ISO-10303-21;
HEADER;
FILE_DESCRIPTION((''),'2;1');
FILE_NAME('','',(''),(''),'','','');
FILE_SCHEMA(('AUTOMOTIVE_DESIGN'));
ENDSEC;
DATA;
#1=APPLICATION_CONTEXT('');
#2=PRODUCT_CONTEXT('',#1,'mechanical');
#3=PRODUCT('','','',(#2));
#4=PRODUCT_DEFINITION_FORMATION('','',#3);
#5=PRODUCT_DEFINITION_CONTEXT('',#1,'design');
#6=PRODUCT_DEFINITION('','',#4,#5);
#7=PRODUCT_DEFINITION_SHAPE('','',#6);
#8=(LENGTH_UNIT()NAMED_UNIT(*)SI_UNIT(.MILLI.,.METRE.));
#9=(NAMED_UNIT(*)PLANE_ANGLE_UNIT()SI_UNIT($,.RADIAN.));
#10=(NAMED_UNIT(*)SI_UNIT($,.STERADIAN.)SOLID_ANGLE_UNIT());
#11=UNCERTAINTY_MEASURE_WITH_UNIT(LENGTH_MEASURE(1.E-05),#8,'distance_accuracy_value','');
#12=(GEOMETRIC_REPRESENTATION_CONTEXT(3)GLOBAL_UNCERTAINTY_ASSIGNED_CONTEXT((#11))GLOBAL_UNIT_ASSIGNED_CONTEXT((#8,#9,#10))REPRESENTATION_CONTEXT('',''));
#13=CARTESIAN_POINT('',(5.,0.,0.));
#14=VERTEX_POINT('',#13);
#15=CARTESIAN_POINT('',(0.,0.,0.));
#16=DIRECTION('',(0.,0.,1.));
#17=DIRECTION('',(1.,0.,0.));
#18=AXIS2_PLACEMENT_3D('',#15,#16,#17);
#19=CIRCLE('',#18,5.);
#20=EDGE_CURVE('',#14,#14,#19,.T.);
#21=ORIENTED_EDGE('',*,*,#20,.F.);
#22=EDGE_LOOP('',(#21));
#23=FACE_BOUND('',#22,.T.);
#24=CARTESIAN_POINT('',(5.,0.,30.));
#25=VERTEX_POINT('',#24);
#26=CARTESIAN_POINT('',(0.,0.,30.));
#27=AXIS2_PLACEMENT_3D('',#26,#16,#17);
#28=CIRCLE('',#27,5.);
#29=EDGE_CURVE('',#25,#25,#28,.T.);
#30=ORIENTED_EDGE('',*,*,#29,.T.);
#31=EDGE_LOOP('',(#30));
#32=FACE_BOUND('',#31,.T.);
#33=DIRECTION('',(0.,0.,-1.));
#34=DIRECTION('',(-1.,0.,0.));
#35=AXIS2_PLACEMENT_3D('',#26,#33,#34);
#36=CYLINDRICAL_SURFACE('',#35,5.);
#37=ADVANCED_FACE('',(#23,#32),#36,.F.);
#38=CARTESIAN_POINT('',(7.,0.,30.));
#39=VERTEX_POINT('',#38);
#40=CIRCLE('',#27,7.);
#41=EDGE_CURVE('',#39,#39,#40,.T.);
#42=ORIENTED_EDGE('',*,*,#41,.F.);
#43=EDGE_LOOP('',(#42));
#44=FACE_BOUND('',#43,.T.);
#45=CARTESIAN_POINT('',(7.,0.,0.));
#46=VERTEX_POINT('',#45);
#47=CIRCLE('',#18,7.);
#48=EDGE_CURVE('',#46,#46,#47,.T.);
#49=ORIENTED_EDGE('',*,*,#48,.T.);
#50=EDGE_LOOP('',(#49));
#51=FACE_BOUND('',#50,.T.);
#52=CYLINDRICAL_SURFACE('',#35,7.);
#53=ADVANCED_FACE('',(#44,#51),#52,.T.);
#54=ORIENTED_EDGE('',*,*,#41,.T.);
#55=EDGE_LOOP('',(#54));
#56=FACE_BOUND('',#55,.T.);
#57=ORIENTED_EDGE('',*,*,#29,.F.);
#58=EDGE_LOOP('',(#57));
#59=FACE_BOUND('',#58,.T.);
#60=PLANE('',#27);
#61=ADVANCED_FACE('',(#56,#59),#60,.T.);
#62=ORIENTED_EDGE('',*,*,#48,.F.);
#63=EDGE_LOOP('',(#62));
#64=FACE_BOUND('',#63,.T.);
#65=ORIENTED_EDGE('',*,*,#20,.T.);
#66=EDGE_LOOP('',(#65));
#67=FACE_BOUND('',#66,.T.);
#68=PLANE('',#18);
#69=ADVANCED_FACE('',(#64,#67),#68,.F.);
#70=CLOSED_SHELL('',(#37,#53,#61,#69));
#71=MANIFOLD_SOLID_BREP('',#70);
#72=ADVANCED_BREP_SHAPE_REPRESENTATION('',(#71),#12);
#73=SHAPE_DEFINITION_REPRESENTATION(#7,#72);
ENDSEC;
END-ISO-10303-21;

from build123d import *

# Parameters (mm, degrees)
SKETCH_1_R      = 7
SKETCH_1_R_2    = 5
EXTRUDE_1_DEPTH = 30


with BuildPart() as part:
    # Эскиз1 → Вытянуть-Тонкостенный1 (new body)
    with BuildSketch(Plane.XY):
        Circle(SKETCH_1_R)
        Circle(SKETCH_1_R_2, mode=Mode.SUBTRACT)
    extrude(amount=EXTRUDE_1_DEPTH)


solid = part.part
